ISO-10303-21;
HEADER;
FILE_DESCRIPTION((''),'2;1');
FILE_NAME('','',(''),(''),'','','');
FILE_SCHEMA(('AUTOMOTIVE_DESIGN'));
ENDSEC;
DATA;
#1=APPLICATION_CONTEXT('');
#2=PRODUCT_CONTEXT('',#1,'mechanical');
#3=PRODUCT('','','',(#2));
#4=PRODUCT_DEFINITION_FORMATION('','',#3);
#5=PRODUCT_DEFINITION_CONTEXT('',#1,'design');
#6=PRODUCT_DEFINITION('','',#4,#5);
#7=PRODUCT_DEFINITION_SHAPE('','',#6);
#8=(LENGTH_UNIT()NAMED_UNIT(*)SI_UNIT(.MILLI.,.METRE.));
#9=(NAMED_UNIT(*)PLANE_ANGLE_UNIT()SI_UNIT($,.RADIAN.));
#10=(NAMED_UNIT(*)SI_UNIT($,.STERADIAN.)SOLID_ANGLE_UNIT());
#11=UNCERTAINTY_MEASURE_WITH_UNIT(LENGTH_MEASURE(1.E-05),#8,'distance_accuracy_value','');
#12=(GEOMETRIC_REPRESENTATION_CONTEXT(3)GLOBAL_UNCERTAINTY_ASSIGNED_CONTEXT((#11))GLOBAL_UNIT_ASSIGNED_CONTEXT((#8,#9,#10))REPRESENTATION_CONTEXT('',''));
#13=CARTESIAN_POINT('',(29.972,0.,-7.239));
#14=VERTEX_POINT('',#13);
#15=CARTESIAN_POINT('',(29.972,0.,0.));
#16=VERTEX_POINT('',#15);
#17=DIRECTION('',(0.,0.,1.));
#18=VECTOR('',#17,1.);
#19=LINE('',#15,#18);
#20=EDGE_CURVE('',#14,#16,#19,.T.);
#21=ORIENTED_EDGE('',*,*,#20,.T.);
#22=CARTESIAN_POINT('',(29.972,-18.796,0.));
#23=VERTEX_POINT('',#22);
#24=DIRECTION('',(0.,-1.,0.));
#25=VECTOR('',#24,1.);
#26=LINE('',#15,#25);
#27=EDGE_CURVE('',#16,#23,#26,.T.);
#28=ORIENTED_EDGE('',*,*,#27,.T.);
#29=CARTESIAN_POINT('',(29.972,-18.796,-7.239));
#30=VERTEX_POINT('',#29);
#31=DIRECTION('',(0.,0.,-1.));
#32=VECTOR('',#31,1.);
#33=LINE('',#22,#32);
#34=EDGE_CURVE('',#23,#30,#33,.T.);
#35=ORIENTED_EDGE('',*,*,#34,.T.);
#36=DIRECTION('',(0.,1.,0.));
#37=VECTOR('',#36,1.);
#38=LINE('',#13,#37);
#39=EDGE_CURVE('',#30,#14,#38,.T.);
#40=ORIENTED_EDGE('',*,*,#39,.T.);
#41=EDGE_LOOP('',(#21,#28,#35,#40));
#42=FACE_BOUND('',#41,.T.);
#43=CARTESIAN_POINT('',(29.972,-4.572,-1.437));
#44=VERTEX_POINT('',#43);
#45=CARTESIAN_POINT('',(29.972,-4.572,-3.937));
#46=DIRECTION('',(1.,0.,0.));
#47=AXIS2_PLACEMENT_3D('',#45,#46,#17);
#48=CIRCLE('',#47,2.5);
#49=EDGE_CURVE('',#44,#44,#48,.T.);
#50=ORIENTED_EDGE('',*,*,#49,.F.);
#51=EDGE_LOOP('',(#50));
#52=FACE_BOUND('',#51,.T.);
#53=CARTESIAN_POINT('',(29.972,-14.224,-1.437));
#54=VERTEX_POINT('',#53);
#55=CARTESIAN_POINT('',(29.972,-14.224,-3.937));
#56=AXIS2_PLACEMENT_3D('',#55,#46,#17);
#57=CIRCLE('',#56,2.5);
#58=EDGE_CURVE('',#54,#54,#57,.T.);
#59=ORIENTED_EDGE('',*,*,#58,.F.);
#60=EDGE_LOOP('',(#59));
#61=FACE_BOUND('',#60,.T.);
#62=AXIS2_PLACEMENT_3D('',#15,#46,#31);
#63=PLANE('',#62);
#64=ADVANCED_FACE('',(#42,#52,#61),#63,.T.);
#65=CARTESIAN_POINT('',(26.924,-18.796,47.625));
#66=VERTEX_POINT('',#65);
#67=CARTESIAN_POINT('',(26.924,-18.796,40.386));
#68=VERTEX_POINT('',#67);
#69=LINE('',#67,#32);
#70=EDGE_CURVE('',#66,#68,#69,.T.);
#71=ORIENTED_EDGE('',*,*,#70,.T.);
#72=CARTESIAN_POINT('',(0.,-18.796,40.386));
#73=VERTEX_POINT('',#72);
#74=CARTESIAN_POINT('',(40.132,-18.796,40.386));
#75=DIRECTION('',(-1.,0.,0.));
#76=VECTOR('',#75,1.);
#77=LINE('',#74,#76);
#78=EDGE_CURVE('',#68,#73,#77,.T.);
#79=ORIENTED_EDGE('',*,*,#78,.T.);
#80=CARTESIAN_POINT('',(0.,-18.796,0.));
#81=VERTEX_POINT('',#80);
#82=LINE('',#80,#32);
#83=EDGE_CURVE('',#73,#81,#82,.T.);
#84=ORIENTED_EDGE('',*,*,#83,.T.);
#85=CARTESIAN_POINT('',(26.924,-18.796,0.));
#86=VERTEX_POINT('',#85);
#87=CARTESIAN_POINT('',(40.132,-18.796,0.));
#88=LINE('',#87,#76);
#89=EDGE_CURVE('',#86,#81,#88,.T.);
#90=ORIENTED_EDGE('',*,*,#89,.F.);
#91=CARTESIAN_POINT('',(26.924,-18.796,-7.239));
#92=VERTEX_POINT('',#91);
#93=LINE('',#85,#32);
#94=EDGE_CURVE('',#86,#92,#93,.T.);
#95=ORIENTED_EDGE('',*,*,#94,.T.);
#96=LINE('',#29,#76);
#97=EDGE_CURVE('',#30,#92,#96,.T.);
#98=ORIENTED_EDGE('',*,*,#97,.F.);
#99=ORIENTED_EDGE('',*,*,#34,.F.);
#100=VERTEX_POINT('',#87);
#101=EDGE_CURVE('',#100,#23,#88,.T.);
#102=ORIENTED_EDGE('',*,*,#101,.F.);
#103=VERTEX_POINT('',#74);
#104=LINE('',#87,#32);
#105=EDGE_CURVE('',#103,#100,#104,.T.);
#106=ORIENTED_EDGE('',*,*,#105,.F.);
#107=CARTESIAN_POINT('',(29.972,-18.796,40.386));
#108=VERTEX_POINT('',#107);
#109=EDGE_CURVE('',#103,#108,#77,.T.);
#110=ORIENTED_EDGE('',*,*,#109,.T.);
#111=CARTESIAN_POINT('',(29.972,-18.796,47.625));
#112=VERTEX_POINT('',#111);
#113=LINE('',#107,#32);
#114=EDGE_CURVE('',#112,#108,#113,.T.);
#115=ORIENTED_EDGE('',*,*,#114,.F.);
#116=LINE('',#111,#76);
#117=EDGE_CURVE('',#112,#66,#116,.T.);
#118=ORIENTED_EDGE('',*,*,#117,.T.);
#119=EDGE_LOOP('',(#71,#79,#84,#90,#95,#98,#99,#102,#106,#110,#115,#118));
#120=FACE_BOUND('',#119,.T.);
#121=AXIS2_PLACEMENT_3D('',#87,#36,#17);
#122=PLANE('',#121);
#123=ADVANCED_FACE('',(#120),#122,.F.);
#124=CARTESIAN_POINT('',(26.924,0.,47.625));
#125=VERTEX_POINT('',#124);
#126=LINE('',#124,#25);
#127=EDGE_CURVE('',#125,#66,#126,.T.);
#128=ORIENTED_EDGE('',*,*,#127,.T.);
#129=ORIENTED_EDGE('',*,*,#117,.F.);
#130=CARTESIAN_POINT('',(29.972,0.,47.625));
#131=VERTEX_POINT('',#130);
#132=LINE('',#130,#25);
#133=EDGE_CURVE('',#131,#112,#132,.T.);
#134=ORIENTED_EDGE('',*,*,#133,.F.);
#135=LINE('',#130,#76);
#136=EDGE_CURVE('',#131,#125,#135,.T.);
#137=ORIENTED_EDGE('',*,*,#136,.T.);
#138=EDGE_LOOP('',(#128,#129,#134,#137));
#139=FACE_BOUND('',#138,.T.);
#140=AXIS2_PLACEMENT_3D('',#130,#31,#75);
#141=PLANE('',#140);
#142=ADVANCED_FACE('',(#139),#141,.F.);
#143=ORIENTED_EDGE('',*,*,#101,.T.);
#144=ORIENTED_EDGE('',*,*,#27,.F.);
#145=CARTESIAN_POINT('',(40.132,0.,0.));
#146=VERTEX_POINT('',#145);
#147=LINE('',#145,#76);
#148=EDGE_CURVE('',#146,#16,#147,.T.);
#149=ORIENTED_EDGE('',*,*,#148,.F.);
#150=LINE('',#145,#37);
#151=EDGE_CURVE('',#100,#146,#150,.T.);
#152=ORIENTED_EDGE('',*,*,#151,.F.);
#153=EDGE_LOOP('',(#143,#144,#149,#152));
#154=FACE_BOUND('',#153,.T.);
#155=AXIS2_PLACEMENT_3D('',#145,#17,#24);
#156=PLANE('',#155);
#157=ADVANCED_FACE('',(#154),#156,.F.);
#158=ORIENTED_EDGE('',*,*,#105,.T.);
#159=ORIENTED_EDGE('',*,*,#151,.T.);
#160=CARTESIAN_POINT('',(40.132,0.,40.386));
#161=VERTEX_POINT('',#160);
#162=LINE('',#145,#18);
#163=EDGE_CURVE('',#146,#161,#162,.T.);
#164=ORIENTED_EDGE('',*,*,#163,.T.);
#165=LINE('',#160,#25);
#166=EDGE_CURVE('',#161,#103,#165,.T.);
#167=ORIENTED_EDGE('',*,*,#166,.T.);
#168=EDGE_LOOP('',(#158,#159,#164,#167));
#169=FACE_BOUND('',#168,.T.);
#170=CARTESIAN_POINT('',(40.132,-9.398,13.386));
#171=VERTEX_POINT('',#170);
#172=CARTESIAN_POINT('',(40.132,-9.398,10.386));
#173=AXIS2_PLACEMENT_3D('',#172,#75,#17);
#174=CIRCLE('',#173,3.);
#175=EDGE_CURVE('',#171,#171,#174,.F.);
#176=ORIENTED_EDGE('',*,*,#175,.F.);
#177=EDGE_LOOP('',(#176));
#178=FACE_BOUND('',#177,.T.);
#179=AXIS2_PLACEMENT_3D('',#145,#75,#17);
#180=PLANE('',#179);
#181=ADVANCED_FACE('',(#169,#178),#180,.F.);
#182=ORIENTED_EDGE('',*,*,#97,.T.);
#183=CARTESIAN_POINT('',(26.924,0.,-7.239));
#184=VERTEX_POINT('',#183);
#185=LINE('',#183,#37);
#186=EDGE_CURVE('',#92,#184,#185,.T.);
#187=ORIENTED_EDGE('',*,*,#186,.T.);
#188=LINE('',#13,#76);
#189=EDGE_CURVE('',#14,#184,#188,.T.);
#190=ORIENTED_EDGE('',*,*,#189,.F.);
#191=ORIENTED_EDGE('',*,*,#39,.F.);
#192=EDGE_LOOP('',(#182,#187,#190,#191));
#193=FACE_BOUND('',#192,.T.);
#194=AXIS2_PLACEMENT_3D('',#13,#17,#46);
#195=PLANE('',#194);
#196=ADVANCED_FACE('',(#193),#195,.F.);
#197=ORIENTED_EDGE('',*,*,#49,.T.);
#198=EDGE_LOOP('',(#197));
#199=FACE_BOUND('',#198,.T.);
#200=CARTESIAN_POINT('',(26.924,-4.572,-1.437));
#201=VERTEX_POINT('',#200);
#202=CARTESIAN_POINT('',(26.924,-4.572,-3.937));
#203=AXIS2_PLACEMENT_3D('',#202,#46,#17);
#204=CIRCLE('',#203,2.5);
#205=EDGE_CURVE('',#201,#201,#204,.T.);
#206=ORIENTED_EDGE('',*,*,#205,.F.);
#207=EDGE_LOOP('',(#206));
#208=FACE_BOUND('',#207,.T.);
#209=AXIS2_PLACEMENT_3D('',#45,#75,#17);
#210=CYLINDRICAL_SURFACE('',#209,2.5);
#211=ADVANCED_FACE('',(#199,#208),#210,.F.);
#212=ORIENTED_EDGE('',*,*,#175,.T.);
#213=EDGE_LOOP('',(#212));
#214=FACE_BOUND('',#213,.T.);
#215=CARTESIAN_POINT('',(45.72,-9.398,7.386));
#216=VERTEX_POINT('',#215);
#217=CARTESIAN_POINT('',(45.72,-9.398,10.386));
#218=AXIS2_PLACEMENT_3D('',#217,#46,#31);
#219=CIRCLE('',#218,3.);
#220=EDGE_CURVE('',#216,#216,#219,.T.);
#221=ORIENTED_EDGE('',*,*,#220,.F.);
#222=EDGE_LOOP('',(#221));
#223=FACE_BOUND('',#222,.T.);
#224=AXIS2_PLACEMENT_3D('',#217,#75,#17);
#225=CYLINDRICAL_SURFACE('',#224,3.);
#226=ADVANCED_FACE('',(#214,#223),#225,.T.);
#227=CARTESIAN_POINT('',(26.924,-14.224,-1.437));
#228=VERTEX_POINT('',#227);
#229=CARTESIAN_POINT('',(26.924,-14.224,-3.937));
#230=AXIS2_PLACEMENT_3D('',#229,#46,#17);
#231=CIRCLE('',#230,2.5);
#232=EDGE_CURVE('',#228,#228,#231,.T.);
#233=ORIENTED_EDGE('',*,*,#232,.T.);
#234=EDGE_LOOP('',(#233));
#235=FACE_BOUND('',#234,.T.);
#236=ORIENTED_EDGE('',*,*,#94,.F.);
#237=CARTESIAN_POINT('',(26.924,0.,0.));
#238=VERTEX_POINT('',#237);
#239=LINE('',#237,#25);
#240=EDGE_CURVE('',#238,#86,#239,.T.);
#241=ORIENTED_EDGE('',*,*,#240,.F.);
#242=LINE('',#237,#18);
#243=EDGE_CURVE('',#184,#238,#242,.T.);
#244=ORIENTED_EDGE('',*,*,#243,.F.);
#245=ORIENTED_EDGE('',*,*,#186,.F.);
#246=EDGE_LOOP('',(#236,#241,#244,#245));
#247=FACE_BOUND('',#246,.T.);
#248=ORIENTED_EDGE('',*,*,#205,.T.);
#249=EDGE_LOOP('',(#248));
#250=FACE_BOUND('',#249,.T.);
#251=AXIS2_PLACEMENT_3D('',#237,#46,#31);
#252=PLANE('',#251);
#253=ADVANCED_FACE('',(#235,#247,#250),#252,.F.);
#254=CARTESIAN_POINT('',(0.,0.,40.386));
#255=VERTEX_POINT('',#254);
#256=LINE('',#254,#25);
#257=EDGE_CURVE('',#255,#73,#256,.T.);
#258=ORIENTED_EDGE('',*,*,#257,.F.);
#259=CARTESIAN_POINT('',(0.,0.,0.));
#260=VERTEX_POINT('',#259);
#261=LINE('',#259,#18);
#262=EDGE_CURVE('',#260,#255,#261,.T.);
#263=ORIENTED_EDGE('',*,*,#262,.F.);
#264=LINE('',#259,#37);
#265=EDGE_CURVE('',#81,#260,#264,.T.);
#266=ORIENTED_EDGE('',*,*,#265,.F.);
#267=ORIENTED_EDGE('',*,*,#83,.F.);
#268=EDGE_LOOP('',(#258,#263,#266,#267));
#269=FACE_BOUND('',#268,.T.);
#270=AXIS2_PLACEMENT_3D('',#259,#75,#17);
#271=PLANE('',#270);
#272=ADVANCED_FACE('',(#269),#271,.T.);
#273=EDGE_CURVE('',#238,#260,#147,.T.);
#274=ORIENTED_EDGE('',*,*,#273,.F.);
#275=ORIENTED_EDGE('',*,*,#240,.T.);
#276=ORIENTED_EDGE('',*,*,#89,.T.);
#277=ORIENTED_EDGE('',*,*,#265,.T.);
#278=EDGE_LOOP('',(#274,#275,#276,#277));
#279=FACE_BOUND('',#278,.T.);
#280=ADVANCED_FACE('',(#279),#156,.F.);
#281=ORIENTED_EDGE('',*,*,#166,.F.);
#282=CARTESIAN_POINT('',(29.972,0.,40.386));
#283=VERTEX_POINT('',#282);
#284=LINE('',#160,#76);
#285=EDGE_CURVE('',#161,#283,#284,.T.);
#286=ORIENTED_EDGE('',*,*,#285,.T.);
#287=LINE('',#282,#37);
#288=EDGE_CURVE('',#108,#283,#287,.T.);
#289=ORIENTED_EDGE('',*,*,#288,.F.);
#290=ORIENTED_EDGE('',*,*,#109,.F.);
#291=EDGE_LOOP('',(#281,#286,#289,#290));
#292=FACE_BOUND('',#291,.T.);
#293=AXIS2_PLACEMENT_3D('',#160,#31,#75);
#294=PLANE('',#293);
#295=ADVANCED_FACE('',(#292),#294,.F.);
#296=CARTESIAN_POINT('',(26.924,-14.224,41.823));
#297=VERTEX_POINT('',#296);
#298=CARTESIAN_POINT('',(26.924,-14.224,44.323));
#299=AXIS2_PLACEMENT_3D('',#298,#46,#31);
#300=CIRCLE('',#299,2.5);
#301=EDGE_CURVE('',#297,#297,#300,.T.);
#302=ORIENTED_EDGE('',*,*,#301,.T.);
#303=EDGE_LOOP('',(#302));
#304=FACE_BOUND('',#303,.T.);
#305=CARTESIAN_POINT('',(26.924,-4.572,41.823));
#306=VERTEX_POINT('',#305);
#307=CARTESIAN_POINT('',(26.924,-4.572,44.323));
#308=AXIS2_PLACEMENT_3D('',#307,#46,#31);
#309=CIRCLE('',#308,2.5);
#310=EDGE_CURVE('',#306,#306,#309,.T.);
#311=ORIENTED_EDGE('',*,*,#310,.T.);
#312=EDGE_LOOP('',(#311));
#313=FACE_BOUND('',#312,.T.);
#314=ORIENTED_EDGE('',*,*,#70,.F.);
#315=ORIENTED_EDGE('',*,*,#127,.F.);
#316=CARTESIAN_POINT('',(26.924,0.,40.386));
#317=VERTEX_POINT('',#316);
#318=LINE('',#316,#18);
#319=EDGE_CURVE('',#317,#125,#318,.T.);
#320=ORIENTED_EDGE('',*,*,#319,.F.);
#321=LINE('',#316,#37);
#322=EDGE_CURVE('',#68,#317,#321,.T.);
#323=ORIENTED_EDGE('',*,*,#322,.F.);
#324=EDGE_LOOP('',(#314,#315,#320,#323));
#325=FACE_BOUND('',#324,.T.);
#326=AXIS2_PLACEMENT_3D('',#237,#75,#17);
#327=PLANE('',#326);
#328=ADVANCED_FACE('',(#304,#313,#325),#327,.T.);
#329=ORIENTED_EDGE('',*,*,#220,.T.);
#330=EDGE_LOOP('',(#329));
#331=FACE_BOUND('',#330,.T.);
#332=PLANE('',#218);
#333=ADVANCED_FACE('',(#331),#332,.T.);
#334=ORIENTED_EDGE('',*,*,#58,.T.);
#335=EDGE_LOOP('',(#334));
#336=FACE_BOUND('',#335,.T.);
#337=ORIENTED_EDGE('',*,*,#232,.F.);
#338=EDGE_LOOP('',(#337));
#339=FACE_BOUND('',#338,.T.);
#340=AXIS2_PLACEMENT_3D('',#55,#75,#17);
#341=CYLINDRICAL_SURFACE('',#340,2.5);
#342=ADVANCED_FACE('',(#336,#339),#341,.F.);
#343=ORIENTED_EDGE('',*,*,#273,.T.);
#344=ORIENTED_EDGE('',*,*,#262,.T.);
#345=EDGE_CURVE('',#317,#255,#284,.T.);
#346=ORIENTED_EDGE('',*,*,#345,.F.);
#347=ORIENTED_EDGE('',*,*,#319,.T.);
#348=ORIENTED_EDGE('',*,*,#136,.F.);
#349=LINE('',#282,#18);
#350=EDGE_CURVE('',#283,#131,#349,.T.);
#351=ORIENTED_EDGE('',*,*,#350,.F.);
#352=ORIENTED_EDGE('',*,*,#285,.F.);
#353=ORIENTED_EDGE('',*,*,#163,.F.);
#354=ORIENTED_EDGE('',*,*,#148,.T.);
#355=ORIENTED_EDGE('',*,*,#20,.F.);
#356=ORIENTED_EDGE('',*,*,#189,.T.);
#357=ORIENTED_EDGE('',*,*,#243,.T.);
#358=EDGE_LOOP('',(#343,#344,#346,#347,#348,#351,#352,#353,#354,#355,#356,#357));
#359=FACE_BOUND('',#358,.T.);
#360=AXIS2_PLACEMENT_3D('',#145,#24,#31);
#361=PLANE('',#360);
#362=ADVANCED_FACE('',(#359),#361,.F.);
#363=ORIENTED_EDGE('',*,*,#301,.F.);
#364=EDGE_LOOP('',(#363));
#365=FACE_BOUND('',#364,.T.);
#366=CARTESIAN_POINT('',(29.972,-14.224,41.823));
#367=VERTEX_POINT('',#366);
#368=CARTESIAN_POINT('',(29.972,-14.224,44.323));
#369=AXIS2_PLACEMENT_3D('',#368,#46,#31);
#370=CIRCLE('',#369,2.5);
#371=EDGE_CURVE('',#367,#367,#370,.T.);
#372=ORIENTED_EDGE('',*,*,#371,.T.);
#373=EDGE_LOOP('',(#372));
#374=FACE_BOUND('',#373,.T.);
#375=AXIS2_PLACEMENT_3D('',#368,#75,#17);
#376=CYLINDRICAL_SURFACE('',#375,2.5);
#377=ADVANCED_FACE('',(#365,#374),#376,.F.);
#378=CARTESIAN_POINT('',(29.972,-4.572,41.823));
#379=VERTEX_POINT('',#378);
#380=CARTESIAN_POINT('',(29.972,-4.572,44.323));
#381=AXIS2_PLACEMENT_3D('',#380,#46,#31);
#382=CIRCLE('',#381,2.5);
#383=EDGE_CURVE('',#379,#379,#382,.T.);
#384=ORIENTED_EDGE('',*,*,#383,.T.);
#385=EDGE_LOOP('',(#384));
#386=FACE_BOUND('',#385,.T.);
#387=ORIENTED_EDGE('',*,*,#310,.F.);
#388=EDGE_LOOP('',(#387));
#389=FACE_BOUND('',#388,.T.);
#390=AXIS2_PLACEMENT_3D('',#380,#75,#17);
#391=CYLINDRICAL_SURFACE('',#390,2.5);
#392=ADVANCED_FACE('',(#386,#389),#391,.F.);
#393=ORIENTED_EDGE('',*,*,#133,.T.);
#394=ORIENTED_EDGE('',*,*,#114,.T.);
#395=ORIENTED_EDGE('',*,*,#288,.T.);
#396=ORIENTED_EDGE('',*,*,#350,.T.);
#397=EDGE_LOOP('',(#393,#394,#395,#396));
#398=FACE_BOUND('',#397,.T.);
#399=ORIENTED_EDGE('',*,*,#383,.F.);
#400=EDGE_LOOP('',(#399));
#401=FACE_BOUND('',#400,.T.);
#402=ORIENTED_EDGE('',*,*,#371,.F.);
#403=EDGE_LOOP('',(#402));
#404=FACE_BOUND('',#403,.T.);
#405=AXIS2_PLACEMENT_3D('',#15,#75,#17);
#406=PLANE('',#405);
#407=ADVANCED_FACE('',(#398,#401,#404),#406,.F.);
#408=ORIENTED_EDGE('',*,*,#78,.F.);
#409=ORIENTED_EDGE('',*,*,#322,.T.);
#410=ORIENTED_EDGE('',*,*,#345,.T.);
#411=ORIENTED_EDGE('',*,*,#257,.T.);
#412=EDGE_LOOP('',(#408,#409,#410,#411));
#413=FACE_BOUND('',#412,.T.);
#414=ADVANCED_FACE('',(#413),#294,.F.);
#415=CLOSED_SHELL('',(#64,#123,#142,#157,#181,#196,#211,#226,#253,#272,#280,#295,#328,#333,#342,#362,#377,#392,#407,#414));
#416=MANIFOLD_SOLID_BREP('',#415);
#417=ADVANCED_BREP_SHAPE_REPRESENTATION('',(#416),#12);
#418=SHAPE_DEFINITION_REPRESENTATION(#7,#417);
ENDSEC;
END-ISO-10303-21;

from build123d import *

# Parameters (mm, degrees)
SKETCH1_W           = 40.386
SKETCH1_H           = 18.796
BOSS_EXTRUDE1_DEPTH = 40.132
SKETCH2_W           = 7.239
SKETCH2_H           = 18.796
SKETCH2_R           = 2.5
BOSS_EXTRUDE2_DEPTH = 3.048
SKETCH3_R           = 3
BOSS_EXTRUDE3_DEPTH = 5.588


with BuildPart() as part:
    # Sketch1 → Boss-Extrude1 (new body)
    with BuildSketch(Plane(origin=(0, 0, 0), x_dir=(0, 0, -1), z_dir=(1, 0, 0))):
        with Locations((-20.193, -9.398)):
            Rectangle(SKETCH1_W, SKETCH1_H)
    extrude(amount=BOSS_EXTRUDE1_DEPTH)

    # Sketch2 → Boss-Extrude2 (add)
    with BuildSketch(Plane(origin=(26.924, 0, 0), x_dir=(0, 0, -1), z_dir=(1, 0, 0))):
        with Locations((-44.0055, -9.398)):
            Rectangle(SKETCH2_W, SKETCH2_H)
        with Locations((-44.323, -4.572)):
            Circle(SKETCH2_R, mode=Mode.SUBTRACT)
        with Locations((-44.323, -14.224)):
            Circle(SKETCH2_R, mode=Mode.SUBTRACT)
        with Locations((3.6195, -9.398)):
            Rectangle(SKETCH2_W, SKETCH2_H)
        with Locations((3.937, -4.572)):
            Circle(SKETCH2_R, mode=Mode.SUBTRACT)
        with Locations((3.937, -14.224)):
            Circle(SKETCH2_R, mode=Mode.SUBTRACT)
    extrude(amount=BOSS_EXTRUDE2_DEPTH)

    # Sketch3 → Boss-Extrude3 (add)
    with BuildSketch(Plane(origin=(40.132, 0, 0), x_dir=(0, 0, -1), z_dir=(1, 0, 0))):
        with Locations((-10.386, -9.398)):
            Circle(SKETCH3_R)
    extrude(amount=BOSS_EXTRUDE3_DEPTH)


solid = part.part
